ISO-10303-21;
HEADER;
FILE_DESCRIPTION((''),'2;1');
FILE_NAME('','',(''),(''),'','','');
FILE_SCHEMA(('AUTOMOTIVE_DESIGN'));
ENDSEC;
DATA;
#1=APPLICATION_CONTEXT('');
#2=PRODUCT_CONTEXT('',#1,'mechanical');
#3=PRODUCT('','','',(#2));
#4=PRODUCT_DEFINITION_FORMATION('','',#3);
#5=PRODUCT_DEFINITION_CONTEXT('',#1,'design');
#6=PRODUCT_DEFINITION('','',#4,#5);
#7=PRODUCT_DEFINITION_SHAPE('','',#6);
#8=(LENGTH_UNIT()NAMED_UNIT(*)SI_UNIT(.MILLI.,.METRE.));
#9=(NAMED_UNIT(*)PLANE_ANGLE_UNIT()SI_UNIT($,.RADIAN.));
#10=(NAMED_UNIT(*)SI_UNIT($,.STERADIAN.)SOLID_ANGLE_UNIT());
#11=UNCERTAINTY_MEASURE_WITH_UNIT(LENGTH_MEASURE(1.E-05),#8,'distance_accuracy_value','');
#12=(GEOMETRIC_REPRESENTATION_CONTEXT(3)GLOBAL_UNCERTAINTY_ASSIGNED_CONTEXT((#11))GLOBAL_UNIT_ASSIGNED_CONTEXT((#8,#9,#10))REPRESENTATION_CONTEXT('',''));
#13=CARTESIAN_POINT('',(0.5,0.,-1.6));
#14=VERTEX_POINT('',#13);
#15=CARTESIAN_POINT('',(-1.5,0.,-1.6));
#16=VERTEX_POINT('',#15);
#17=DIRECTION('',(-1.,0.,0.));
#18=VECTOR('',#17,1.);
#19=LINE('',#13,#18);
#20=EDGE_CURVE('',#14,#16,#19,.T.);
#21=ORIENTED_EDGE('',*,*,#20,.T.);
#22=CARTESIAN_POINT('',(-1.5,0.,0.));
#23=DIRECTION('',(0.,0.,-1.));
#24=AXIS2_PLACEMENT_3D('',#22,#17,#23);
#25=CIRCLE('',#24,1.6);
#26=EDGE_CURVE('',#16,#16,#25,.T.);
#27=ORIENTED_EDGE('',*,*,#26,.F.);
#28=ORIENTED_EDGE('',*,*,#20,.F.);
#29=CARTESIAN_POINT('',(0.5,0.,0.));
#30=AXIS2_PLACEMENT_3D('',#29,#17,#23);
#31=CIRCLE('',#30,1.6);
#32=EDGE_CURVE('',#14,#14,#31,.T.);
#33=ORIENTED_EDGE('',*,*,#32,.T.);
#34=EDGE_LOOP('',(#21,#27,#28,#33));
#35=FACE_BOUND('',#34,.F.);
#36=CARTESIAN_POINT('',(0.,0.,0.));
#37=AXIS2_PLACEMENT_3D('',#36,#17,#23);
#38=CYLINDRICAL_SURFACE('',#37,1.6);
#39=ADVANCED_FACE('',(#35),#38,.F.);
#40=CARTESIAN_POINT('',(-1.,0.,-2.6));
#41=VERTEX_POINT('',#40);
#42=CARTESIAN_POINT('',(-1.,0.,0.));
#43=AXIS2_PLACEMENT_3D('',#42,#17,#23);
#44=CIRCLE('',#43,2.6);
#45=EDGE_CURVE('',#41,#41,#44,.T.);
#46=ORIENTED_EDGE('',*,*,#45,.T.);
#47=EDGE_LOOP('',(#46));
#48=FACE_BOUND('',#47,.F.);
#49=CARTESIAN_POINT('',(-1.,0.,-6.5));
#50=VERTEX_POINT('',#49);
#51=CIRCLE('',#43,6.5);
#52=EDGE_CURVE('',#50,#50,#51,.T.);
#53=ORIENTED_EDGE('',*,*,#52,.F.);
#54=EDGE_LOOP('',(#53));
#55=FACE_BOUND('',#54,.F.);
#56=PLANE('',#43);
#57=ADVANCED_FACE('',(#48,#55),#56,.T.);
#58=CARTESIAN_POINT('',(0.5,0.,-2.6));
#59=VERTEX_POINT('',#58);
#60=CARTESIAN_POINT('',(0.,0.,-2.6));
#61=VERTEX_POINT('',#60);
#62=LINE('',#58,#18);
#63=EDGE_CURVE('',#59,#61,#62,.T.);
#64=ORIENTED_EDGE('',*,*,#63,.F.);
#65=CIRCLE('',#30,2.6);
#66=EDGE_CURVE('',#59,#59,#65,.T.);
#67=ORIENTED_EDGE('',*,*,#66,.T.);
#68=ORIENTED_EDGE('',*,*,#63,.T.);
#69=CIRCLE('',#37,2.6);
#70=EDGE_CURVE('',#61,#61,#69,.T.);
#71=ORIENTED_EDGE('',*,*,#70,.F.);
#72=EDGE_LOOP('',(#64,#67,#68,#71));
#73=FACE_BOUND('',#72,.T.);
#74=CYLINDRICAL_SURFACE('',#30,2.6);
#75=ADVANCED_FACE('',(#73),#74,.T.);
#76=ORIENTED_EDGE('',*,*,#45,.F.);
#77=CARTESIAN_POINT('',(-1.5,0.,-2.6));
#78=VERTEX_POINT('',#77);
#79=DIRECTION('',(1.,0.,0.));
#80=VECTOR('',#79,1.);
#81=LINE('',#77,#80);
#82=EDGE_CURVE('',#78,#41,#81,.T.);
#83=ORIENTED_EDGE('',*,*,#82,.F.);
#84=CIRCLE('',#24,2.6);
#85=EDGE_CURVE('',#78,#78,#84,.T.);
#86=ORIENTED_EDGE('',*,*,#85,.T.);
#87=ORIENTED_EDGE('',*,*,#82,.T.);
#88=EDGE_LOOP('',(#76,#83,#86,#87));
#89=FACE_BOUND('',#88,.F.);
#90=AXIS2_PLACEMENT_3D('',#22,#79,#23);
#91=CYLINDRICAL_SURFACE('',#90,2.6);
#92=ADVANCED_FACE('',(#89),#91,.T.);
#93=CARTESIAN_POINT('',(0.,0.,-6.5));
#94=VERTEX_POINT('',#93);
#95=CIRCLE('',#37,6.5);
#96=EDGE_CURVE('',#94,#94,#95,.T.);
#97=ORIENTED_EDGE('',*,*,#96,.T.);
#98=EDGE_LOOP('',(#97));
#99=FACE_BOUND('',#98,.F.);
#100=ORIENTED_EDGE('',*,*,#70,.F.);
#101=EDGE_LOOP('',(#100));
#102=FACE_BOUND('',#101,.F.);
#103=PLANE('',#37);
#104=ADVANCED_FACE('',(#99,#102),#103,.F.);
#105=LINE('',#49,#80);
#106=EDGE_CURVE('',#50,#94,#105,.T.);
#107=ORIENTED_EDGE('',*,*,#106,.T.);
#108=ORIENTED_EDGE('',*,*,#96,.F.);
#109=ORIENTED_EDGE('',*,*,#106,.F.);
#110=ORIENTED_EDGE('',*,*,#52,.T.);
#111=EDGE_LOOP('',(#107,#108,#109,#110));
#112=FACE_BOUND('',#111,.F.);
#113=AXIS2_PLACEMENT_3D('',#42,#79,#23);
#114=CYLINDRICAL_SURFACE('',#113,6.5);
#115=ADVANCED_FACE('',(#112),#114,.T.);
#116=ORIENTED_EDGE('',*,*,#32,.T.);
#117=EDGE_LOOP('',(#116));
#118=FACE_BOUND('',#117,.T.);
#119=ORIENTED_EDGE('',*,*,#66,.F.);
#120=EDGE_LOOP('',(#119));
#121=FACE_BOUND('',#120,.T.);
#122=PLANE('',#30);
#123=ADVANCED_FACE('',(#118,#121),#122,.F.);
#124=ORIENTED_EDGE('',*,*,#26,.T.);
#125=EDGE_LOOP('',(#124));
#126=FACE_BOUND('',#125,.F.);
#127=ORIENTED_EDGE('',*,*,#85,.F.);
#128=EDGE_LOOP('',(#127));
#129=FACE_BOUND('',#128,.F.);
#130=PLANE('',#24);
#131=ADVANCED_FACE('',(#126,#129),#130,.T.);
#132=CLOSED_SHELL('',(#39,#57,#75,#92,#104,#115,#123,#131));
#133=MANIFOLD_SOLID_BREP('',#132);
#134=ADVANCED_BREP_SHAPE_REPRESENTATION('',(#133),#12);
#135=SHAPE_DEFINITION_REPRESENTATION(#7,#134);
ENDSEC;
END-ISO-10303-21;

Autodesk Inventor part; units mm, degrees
ref_plane "YZ Plane" through (0, 0, 0) normal (1, 0, 0) x (0, 1, 0)
ref_plane "XZ Plane" through (0, 0, 0) normal (0, 1, 0) x (-1, 0, 0)
ref_plane "XY Plane" through (0, 0, 0) normal (0, 0, 1) x (1, 0, 0)
sketch "Sketch1" plane through (0, 0, 0) normal (0, 1, 0) x (-1, 0, 0)
  line L0 (0, 0) -> (1, 0)
  line L1 (1, 0) -> (1, -6.5)
  line L2 (1, -6.5) -> (0, -6.5)
  line L3 (0, -6.5) -> (0, 0)
  line L4 (1, 0) -> (0, 0)
  line L5 (0, 0) -> (0, -1.6)
  line L6 (0, -1.6) -> (1, -1.6)
  line L7 (1, -1.6) -> (1, 0)
  line L8 (1, -1.6) -> (1.5, -1.6)
  line L9 (1.5, -1.6) -> (1.5, -2.6)
  line L10 (1.5, -2.6) -> (1, -2.6)
  line L11 (1, -2.6) -> (1, -1.6)
  line L12 (0, -1.6) -> (-0.5, -1.6)
  line L13 (-0.5, -1.6) -> (-0.5, -2.6)
  line L14 (-0.5, -2.6) -> (0, -2.6)
  line L15 (0, -2.6) -> (0, -1.6)
  dimension "d0" = 1
  dimension "d1" = 6.5
  dimension "d2" = 1.6
  dimension "d3" = 0.5
  dimension "d4" = 1
  dimension "d5" = 0.5
  dimension "d6" = 1
revolve "Revolution1" add sketch "Sketch1" angle 360 about axis through (0, 0, 0) along (-1, 0, 0) contours L6 L1 L2 L3 | L3 L14 L13 L12 | L8 L9 L10 L1
properties part number "idler_spacer"
